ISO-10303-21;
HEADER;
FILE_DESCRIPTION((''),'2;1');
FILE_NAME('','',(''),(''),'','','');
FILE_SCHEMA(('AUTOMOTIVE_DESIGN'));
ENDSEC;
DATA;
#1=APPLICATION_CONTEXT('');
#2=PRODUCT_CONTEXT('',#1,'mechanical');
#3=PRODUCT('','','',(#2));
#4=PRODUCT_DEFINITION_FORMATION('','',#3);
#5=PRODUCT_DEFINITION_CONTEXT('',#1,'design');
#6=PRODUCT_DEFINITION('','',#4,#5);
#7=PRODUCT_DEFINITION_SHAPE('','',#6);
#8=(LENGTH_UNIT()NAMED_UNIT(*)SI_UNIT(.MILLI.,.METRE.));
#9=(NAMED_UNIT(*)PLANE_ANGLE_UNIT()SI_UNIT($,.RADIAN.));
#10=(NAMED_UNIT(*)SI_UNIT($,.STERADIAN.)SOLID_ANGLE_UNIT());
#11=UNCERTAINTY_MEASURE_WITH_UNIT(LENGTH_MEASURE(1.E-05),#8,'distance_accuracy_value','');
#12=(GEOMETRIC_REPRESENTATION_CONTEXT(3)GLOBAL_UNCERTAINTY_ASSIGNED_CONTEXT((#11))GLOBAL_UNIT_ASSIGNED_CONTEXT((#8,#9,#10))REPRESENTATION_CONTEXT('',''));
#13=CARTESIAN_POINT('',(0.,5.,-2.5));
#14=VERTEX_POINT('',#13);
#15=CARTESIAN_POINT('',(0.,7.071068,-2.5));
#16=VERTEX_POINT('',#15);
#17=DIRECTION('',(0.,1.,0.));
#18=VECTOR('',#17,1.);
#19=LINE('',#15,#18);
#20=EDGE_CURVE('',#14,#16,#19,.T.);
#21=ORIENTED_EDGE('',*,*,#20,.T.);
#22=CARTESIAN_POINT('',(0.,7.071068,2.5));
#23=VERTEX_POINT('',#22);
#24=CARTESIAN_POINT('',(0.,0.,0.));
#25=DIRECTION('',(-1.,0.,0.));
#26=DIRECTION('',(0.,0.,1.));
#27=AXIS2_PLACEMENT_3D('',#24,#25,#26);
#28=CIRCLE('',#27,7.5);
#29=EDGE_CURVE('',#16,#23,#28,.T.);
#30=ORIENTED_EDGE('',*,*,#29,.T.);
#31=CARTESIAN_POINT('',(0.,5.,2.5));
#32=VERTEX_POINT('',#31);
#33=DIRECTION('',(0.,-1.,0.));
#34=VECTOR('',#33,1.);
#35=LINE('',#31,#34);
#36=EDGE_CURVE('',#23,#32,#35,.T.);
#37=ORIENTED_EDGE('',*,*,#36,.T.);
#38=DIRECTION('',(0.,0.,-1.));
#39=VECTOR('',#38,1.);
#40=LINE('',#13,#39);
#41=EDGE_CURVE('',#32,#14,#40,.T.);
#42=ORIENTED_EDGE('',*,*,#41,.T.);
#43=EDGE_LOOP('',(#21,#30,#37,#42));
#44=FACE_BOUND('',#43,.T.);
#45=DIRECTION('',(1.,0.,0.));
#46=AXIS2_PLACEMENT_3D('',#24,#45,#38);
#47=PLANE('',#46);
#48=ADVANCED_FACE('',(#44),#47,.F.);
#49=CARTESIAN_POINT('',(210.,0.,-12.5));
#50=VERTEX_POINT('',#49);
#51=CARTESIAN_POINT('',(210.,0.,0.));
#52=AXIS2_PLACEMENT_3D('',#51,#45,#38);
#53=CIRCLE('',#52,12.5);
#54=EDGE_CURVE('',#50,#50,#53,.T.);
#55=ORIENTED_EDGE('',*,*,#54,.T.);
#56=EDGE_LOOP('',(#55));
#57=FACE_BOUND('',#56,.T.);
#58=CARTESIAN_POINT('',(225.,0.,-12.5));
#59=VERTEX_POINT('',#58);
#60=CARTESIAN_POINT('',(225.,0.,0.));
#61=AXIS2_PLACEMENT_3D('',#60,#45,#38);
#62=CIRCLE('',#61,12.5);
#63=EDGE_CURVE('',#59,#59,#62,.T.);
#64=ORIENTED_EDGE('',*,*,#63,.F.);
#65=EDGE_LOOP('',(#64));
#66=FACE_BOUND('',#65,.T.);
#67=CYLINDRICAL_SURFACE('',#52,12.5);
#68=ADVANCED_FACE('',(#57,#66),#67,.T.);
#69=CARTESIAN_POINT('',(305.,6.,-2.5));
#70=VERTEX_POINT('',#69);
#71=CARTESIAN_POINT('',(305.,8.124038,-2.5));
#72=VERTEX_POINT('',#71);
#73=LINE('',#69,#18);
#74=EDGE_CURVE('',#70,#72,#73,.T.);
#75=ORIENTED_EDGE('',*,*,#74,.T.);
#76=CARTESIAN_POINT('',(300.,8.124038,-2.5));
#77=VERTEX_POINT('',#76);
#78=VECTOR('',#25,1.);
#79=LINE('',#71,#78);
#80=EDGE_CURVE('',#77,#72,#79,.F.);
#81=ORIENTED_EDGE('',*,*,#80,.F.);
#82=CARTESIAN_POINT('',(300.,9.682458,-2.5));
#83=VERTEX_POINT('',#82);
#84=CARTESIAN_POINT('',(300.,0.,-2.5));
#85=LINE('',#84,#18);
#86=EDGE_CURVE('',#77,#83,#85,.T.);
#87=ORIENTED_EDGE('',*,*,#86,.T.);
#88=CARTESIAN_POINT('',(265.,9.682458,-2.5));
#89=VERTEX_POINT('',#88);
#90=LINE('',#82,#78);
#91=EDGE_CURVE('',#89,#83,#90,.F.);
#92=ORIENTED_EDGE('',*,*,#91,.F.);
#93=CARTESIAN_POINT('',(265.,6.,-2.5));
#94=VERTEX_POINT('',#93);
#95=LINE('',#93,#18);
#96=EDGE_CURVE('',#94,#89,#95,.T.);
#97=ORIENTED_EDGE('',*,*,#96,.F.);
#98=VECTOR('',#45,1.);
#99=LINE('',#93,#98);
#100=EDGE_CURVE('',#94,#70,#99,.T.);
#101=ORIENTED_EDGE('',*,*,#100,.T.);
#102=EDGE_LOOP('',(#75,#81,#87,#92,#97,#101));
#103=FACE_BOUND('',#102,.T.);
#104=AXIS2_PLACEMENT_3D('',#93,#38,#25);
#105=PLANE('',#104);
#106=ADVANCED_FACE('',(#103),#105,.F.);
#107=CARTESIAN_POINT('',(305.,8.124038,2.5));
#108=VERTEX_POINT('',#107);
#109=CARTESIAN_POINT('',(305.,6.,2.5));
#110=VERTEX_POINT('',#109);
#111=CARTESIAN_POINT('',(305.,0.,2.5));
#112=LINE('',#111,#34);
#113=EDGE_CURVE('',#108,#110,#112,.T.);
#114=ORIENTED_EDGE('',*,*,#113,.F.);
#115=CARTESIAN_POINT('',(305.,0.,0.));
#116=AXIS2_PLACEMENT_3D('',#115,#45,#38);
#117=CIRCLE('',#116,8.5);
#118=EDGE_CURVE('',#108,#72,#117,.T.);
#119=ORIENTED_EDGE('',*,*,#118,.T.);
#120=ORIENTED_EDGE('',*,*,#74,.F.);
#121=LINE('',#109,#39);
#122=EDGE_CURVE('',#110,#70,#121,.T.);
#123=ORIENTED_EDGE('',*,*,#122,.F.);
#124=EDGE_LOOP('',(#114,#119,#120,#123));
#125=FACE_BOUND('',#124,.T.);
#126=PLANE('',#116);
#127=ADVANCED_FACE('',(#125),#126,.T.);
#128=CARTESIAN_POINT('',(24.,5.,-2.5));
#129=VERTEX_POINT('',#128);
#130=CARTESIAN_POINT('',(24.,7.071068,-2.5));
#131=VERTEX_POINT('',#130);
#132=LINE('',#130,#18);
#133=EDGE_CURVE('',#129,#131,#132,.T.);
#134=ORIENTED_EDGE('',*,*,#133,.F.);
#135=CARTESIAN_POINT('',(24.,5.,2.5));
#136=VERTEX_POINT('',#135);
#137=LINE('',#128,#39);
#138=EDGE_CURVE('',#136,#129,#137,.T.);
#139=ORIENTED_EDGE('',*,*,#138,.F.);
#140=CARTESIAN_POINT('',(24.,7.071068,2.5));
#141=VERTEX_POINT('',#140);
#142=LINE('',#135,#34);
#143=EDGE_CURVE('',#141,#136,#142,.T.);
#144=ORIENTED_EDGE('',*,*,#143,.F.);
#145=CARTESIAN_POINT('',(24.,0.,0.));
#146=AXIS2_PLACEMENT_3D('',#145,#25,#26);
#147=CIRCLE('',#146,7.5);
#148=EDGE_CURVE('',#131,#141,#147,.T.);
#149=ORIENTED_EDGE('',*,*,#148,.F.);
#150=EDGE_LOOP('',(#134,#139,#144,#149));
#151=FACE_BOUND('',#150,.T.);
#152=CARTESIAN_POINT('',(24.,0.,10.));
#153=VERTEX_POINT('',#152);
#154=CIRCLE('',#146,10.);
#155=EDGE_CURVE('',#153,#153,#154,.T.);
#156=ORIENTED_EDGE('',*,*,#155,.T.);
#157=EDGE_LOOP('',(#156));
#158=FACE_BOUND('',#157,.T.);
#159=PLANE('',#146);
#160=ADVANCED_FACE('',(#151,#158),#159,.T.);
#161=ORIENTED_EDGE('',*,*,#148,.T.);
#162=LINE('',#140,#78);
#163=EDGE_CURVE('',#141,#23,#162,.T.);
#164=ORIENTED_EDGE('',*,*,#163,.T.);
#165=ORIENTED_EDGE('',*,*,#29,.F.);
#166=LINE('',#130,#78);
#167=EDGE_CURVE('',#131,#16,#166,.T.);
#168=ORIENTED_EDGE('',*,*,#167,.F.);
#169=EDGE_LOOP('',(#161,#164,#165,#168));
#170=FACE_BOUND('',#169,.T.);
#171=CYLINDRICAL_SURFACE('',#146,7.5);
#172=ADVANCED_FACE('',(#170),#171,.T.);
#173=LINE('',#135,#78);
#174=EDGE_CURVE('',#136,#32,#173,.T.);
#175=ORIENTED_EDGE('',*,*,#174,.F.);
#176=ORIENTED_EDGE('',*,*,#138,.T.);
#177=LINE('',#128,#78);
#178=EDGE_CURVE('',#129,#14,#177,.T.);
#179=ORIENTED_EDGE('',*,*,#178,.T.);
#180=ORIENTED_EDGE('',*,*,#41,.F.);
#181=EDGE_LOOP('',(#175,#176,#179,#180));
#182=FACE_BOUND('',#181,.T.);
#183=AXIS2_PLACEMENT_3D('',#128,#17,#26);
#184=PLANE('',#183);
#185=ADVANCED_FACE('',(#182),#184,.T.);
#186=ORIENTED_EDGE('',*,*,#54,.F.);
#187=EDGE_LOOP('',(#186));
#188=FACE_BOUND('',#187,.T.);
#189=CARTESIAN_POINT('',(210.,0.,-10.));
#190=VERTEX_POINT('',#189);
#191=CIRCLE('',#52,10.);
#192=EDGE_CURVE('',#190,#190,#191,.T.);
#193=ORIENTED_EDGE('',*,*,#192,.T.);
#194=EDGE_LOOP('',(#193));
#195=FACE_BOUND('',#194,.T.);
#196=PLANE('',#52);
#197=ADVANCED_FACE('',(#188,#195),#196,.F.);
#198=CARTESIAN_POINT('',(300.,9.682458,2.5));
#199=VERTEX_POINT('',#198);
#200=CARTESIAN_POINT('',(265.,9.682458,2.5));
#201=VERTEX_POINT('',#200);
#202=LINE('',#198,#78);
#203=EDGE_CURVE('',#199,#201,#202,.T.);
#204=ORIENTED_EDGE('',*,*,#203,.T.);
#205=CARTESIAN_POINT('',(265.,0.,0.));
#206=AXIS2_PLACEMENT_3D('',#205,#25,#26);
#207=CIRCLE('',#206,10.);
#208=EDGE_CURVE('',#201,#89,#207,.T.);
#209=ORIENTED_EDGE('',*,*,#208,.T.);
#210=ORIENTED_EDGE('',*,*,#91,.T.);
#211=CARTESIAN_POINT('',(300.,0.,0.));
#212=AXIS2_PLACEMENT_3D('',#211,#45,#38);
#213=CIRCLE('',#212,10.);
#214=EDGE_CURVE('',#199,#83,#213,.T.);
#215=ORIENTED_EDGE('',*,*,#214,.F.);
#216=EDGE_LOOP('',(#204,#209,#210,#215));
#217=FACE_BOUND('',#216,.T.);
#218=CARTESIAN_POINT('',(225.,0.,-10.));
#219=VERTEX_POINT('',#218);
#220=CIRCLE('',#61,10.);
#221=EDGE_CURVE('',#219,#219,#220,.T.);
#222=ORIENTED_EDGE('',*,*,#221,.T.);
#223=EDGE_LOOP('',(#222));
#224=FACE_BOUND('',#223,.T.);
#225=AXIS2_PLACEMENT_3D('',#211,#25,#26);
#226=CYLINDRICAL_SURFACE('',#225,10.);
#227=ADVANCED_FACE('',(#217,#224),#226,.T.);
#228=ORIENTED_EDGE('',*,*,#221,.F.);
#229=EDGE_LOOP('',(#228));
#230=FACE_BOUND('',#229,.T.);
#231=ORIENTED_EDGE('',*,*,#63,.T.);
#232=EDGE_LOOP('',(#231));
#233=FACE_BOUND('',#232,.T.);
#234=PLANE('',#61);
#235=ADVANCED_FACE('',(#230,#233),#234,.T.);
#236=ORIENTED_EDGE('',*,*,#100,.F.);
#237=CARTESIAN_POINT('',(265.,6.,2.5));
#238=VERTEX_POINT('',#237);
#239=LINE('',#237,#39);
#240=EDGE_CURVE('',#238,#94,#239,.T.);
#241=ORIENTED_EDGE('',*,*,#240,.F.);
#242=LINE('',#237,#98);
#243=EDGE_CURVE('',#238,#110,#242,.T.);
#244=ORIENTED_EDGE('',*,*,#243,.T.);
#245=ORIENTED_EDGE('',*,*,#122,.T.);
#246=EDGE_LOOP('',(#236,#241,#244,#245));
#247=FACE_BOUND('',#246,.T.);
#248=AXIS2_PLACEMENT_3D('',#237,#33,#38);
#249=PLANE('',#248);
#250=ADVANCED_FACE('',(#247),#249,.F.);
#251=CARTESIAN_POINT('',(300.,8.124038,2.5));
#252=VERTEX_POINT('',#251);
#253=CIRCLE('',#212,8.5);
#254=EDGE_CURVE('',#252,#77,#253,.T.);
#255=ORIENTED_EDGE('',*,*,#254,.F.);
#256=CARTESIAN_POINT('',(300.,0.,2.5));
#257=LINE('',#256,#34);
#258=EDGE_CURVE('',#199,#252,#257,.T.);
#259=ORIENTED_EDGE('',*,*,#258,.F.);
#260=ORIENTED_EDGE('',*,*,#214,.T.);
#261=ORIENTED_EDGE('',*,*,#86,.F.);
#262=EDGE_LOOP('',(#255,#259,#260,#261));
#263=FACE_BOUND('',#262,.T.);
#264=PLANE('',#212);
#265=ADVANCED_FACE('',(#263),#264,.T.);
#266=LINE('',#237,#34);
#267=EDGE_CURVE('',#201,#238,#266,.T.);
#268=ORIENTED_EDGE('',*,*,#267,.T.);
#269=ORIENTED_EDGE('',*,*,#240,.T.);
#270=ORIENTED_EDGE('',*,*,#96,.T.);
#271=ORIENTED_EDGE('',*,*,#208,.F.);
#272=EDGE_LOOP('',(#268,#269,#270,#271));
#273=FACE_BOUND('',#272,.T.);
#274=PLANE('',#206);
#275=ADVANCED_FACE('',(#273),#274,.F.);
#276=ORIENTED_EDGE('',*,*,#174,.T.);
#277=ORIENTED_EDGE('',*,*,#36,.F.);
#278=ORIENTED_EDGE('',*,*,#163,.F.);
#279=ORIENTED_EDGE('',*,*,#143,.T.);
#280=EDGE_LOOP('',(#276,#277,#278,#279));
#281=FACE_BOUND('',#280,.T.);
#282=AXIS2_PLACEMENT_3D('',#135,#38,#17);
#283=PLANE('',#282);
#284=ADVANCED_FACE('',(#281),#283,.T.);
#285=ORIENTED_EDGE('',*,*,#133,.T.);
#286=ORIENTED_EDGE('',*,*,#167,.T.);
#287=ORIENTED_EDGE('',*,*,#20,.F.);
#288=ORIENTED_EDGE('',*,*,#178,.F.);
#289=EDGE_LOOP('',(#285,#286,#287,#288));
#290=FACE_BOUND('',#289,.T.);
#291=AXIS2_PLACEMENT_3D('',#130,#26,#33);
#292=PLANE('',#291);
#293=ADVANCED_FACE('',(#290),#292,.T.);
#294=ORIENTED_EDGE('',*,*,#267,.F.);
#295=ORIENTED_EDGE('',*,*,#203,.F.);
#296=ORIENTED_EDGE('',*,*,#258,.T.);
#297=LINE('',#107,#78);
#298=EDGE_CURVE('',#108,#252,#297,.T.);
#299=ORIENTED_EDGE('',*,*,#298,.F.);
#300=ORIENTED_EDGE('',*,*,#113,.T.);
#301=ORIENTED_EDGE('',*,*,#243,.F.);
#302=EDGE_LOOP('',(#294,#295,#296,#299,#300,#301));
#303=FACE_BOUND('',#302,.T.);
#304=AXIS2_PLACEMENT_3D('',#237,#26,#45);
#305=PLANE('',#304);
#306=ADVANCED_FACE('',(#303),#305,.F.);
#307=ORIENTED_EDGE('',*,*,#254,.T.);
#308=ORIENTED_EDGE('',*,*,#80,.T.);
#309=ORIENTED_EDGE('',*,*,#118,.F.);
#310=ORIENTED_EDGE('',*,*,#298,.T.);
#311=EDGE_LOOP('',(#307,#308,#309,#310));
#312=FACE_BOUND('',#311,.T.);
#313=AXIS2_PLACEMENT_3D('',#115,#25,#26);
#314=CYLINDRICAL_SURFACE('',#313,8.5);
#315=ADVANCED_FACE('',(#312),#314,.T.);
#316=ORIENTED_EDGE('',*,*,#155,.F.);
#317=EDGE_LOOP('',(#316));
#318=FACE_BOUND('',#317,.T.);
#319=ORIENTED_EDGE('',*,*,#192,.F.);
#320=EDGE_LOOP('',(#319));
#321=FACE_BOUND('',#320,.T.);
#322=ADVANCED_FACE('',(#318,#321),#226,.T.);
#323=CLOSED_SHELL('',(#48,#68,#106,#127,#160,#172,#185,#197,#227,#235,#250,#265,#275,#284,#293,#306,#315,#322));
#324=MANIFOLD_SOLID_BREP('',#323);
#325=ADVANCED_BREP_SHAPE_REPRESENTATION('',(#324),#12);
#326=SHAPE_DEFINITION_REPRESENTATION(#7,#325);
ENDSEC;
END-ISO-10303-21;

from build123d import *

# Parameters (mm, degrees)
SKETCH1_R           = 10
BOSS_EXTRUDE1_DEPTH = 300
SKETCH2_R           = 8.5
BOSS_EXTRUDE2_DEPTH = 5
SKETCH6_R           = 10
CUT_EXTRUDE2_DEPTH  = 24
SKETCH7_W           = 5
SKETCH7_H           = 5
CUT_EXTRUDE3_DEPTH  = 40
SKETCH10_R          = 12.5
BOSS_EXTRUDE4_DEPTH = 15


with BuildPart() as part:
    # Sketch1 → Boss-Extrude1 (new body)
    with BuildSketch(Plane(origin=(0, 0, 0), x_dir=(0, 0, -1), z_dir=(1, 0, 0))):
        Circle(SKETCH1_R)
    extrude(amount=BOSS_EXTRUDE1_DEPTH)

    # Sketch2 → Boss-Extrude2 (add)
    with BuildSketch(Plane(origin=(300, 0, 0), x_dir=(0, 0, -1), z_dir=(1, 0, 0))):
        Circle(SKETCH2_R)
    extrude(amount=BOSS_EXTRUDE2_DEPTH)

    # Sketch6 → Cut-Extrude2 (cut)
    with BuildSketch(Plane.ZY):
        Circle(SKETCH6_R)
        with BuildLine():
            Line((-2.5, 7.071067812), (-2.5, 5))
            Line((-2.5, 5), (2.5, 5))
            Line((2.5, 5), (2.5, 7.071067812))
            ThreePointArc((2.5, 7.071067812), (0, -7.5), (-2.5, 7.071067812))
        make_face(mode=Mode.SUBTRACT)
    extrude(amount=-CUT_EXTRUDE2_DEPTH, mode=Mode.SUBTRACT)

    # Sketch7 → Cut-Extrude3 (cut)
    with BuildSketch(Plane(origin=(305, 0, 0), x_dir=(0, 0, -1), z_dir=(1, 0, 0))):
        with Locations((0, 8.5)):
            Rectangle(SKETCH7_W, SKETCH7_H)
    extrude(amount=-CUT_EXTRUDE3_DEPTH, mode=Mode.SUBTRACT)

    # Sketch10 → Boss-Extrude4 (add)
    with BuildSketch(Plane(origin=(225, 0, 0), x_dir=(0, 0, -1), z_dir=(1, 0, 0))):
        Circle(SKETCH10_R)
    extrude(amount=-BOSS_EXTRUDE4_DEPTH)


solid = part.part
